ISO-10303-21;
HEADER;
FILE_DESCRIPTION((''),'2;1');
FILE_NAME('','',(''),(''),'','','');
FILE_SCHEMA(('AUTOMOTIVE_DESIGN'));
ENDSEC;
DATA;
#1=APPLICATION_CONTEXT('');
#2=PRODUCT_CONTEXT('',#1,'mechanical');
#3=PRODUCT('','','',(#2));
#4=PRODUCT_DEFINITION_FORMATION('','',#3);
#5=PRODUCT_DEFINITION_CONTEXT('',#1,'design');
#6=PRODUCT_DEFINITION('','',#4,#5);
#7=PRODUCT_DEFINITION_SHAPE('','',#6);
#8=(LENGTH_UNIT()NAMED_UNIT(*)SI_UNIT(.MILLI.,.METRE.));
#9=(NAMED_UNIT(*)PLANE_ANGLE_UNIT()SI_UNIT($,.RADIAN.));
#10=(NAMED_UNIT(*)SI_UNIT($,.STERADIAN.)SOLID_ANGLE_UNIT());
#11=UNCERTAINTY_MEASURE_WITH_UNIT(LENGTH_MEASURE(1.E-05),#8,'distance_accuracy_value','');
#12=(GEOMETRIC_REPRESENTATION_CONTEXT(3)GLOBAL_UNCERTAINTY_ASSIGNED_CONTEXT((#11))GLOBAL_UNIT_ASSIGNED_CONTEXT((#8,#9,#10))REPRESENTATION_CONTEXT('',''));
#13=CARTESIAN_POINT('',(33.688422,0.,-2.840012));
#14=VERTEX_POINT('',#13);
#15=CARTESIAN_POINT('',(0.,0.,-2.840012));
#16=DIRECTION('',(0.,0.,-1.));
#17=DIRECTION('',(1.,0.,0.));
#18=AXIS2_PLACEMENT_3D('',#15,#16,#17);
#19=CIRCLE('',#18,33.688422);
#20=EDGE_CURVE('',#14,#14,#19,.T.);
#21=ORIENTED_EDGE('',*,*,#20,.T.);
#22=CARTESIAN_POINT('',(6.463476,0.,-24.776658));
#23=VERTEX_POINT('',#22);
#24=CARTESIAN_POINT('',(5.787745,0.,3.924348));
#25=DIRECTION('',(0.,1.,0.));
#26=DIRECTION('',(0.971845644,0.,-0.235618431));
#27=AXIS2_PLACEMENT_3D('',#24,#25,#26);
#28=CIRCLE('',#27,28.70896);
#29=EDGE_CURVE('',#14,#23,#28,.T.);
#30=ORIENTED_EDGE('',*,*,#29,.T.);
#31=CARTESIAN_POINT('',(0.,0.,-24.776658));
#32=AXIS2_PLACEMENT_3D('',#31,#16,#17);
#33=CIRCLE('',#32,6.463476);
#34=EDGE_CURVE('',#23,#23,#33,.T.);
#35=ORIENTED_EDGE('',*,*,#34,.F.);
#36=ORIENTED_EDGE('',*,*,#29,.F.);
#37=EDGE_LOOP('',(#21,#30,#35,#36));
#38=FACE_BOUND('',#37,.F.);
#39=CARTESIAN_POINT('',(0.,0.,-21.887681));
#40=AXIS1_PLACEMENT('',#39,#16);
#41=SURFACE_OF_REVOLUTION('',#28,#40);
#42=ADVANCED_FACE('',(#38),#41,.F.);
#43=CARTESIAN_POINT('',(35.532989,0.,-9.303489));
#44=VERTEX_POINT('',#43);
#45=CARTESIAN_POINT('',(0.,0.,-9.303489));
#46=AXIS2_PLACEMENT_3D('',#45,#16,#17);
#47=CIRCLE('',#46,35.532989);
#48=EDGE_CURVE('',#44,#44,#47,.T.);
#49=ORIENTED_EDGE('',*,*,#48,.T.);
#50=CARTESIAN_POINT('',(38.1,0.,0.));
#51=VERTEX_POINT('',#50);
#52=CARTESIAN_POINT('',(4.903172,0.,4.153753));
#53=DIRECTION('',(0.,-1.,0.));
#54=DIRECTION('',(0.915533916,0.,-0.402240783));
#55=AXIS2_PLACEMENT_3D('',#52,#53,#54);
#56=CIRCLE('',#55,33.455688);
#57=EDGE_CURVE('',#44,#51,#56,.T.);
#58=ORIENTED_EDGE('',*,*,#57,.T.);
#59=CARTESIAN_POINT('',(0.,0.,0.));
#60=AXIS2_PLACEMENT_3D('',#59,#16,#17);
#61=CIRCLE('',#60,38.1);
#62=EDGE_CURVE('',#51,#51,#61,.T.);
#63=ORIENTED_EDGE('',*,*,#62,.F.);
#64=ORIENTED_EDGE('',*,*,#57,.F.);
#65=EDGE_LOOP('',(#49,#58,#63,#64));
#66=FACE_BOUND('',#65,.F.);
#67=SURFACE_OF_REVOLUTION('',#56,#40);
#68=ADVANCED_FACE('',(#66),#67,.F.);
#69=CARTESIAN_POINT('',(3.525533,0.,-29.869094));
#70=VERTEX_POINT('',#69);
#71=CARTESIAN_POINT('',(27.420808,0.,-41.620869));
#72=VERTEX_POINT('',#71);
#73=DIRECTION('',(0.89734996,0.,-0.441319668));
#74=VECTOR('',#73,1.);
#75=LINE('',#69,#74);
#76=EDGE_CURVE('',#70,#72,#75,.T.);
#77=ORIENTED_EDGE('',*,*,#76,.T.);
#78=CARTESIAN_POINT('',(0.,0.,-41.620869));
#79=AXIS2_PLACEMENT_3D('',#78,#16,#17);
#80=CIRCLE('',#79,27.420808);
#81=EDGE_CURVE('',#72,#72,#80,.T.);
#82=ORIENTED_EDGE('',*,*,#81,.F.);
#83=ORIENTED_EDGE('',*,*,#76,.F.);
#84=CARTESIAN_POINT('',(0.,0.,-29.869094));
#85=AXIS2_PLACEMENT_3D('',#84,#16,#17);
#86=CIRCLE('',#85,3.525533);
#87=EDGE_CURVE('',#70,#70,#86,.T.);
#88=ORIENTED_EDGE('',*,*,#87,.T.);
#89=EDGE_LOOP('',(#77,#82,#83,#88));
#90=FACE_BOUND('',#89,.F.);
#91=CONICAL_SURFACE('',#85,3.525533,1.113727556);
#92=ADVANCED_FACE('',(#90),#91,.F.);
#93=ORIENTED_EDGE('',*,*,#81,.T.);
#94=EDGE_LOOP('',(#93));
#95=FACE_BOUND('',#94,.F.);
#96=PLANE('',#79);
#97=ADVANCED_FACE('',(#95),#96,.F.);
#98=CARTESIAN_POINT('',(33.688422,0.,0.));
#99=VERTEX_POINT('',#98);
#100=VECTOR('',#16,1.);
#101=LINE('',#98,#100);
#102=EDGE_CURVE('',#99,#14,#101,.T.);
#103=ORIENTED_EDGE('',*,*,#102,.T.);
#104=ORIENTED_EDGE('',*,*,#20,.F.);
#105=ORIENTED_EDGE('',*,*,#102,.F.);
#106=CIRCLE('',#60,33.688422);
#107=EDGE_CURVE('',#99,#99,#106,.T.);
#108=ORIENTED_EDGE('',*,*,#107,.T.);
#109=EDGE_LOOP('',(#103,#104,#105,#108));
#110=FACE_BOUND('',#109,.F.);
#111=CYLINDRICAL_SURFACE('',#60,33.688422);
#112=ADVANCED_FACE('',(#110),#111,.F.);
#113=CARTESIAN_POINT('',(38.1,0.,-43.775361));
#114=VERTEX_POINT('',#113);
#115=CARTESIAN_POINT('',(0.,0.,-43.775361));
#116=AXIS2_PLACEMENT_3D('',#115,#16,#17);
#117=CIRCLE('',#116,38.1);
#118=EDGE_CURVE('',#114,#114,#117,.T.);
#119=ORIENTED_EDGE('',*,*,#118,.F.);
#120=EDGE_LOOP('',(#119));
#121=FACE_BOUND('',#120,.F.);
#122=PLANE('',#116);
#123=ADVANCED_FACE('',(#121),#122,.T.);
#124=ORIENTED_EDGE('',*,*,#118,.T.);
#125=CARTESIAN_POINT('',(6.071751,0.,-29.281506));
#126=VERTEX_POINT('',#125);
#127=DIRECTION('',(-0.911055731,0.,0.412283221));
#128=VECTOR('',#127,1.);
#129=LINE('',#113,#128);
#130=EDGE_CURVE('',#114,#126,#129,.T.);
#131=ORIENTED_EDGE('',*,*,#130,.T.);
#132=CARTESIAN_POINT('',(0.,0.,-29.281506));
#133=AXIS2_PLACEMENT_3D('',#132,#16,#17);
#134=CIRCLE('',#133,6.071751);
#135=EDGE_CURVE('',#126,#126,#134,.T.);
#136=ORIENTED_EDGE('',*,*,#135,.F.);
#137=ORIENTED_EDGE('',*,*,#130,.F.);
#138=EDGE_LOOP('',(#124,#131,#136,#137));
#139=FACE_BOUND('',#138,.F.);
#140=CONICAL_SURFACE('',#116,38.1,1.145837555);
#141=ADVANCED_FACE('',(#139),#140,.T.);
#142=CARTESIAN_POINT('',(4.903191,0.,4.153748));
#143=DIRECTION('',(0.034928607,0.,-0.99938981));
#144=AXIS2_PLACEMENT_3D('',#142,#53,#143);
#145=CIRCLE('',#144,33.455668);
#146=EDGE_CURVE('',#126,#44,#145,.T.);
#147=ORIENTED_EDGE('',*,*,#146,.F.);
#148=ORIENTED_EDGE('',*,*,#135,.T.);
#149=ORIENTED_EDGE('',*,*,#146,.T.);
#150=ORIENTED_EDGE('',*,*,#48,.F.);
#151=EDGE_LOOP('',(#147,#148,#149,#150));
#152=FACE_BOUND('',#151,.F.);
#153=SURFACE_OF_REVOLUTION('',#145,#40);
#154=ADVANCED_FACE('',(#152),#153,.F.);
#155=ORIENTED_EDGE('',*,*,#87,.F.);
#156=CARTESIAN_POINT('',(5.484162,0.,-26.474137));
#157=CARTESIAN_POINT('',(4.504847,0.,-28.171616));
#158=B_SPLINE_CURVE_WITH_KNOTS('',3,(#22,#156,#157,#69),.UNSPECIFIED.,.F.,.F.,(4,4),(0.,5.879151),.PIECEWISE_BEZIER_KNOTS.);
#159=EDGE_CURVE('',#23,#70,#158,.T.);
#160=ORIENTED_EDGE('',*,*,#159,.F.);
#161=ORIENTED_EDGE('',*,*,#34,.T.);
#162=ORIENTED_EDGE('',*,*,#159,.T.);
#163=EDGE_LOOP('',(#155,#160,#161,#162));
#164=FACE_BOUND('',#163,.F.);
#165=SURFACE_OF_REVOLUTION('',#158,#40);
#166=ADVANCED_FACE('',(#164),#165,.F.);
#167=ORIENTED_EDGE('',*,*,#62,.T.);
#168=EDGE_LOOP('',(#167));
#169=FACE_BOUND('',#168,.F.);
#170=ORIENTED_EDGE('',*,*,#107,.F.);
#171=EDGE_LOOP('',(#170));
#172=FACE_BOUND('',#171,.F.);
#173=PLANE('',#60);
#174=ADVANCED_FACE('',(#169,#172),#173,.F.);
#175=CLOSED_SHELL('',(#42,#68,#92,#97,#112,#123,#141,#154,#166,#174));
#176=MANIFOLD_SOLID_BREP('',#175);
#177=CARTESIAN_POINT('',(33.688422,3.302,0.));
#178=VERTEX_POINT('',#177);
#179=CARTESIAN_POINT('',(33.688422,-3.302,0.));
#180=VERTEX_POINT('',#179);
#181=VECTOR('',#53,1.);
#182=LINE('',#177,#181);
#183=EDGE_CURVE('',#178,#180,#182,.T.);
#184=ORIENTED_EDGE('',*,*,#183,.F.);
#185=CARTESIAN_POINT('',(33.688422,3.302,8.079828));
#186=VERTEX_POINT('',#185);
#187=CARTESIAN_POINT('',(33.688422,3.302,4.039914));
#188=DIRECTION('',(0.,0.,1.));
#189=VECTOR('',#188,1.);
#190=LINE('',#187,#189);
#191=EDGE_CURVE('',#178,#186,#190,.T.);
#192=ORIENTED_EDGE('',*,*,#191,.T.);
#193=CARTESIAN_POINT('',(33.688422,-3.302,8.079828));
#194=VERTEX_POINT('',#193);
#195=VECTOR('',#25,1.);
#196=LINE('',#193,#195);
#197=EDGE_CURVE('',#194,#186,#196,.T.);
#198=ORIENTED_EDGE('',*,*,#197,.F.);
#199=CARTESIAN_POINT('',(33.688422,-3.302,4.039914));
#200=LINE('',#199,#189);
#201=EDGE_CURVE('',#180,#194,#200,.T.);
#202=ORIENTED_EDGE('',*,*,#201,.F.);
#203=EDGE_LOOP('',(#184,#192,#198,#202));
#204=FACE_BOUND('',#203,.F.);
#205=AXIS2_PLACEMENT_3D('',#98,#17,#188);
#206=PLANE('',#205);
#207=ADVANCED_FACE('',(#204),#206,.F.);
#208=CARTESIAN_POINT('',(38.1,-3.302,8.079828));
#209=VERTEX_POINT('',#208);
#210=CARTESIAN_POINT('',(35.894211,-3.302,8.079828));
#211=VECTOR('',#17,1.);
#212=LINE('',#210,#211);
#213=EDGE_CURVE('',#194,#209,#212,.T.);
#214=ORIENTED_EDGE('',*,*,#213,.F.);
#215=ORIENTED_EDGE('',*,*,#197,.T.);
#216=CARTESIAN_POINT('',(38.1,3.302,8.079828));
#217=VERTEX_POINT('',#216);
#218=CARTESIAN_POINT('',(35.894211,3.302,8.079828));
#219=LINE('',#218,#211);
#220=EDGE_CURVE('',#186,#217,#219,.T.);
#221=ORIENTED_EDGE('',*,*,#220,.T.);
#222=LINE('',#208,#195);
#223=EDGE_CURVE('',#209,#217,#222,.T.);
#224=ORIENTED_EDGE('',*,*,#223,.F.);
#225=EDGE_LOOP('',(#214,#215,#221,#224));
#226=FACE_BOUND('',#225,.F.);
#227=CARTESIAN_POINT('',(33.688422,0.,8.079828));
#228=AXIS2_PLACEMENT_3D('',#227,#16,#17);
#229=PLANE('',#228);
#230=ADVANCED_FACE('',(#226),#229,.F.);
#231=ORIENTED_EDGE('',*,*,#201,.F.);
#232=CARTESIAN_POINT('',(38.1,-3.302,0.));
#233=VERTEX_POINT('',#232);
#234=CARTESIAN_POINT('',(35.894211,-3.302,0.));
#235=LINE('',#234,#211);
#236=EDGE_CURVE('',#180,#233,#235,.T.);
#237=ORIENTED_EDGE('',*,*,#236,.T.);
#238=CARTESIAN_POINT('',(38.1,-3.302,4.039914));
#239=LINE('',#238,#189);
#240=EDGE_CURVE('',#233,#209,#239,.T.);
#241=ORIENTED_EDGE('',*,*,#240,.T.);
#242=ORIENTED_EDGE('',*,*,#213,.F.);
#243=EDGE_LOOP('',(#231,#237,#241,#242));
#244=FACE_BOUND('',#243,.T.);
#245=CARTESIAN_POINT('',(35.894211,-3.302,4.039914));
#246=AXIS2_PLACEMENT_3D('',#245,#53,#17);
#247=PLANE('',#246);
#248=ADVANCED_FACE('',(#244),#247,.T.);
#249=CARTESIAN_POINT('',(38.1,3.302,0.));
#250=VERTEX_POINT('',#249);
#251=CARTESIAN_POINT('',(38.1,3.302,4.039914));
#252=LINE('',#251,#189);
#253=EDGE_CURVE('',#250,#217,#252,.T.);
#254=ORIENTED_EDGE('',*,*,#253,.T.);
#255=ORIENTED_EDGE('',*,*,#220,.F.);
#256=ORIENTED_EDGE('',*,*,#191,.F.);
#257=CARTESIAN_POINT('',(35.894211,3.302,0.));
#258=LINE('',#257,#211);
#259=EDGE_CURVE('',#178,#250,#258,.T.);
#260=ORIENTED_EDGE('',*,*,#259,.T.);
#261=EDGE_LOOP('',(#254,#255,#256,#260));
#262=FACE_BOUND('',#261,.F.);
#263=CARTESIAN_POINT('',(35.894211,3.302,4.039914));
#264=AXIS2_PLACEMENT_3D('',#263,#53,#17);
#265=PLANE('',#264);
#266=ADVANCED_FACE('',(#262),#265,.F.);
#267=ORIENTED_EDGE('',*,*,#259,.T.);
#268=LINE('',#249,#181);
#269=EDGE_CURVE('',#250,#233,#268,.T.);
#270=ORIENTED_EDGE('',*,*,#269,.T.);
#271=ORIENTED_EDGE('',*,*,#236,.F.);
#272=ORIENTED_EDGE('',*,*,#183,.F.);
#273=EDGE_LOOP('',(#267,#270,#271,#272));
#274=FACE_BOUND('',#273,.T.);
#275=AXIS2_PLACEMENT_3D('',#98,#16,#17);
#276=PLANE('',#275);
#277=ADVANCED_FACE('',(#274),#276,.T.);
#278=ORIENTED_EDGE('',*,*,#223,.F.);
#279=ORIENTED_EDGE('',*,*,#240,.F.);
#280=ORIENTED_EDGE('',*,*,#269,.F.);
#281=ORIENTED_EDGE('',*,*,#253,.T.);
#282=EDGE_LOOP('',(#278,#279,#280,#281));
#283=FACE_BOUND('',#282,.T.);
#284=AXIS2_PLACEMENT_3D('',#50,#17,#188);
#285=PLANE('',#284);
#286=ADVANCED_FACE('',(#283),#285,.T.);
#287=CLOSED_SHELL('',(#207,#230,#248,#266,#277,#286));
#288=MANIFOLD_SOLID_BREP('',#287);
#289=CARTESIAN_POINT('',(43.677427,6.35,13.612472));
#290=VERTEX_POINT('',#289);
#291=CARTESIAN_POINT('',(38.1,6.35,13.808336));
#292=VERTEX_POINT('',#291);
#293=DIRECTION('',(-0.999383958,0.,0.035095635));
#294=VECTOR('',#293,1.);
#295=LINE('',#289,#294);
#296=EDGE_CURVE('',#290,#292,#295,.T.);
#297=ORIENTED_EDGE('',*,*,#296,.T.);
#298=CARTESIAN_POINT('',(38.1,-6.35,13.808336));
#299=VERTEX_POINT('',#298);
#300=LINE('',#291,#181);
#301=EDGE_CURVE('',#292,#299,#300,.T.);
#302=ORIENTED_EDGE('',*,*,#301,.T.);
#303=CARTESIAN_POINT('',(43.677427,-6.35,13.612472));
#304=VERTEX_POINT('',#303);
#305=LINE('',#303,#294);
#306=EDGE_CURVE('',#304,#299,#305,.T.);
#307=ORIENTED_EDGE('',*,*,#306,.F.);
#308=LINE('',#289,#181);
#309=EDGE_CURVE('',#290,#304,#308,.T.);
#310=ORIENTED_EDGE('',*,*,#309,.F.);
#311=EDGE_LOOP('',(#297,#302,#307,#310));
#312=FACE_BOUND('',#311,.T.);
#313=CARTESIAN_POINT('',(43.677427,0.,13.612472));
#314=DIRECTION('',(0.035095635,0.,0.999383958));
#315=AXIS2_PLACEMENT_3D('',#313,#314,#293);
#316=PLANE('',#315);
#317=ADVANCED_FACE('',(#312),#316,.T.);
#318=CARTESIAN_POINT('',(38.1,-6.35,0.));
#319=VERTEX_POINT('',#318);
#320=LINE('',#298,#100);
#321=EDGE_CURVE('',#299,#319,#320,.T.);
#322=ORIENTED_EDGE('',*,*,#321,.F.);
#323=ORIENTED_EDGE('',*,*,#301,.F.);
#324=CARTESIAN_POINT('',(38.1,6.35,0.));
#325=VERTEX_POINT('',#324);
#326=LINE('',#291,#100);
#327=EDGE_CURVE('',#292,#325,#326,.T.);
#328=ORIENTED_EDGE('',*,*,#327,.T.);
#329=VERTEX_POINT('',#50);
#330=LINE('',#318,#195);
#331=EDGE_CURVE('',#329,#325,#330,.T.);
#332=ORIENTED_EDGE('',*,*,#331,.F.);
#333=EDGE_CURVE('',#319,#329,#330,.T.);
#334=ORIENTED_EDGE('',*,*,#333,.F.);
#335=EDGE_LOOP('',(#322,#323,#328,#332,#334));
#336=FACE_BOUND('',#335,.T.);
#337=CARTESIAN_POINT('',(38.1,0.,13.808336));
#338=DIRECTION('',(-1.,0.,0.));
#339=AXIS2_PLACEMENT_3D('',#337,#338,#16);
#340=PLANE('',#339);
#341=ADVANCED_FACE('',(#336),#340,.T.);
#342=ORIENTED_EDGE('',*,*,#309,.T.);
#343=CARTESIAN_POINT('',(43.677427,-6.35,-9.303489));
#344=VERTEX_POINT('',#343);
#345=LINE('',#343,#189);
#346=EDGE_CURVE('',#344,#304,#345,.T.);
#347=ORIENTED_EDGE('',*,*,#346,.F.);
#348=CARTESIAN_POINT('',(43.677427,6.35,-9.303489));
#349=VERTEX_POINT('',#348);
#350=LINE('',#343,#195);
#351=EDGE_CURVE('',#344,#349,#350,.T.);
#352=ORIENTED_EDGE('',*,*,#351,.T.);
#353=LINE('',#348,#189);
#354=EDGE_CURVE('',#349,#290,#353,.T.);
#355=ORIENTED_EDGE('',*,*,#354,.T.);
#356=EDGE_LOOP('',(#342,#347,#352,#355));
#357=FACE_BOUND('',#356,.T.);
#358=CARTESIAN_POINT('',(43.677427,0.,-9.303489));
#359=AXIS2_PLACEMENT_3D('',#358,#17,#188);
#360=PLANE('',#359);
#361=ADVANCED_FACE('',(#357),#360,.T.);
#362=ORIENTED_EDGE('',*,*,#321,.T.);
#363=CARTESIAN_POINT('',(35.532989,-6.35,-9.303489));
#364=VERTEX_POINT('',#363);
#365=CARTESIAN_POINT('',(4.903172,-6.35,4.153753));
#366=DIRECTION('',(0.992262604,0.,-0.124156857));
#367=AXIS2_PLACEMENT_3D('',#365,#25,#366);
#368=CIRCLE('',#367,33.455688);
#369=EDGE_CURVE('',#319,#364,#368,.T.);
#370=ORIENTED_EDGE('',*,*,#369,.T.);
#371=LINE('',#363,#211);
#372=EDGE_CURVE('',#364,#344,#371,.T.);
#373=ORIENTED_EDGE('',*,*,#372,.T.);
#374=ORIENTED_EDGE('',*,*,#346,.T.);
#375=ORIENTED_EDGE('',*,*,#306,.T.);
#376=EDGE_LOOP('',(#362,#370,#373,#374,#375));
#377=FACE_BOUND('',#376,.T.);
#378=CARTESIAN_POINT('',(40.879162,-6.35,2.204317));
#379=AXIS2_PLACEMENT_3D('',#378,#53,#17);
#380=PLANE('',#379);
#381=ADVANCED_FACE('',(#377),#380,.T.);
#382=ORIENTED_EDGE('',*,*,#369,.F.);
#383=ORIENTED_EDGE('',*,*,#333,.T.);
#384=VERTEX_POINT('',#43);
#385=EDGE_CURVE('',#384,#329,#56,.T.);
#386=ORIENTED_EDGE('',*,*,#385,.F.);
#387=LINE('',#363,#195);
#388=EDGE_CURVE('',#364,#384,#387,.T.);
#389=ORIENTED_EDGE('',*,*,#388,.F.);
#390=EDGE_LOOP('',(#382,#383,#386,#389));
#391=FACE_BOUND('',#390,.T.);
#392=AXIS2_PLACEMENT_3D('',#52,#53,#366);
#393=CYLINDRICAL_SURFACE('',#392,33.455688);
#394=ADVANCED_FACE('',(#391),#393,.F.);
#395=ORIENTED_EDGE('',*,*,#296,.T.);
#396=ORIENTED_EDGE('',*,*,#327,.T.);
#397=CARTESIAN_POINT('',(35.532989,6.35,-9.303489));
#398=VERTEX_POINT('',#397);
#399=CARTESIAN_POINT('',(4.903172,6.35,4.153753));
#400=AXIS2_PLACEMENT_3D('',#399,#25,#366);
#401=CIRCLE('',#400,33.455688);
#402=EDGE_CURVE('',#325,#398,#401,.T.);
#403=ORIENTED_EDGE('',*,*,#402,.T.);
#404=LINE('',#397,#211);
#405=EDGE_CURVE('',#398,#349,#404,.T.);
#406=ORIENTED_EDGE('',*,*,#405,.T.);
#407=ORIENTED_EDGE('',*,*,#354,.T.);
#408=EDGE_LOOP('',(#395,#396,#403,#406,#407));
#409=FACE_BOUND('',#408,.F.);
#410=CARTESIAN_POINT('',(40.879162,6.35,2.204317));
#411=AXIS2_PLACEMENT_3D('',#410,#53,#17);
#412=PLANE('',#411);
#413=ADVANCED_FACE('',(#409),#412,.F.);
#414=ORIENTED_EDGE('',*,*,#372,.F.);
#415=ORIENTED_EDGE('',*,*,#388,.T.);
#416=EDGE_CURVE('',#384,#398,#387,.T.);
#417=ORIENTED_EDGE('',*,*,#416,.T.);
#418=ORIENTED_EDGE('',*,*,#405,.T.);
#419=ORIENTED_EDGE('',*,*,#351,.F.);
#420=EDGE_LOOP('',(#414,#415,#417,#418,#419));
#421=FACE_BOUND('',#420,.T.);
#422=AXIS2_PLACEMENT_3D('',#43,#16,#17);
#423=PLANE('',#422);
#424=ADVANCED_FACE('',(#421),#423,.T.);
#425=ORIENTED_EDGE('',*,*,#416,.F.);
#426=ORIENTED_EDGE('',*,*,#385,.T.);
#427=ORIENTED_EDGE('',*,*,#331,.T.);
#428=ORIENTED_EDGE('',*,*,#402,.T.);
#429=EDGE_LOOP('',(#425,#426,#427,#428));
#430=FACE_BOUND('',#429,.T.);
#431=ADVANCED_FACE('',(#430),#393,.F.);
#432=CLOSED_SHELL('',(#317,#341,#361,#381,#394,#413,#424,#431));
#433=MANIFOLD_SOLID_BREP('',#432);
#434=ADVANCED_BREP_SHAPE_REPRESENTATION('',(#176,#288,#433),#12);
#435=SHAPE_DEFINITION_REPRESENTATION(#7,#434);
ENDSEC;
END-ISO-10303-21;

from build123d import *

# Parameters (mm, degrees)
F2_DEPTH = 6.35
F0_W     = 4.411578
F0_H     = 8.079828
F3_DEPTH = 3.302


with BuildPart() as f1:
    # F0 (on Front) → F1 (revolve)
    with BuildSketch(Plane.XZ):
        with BuildLine():
            Line((38.1, 0), (33.688422, 0))
            Line((33.688422, 0), (33.688422, -2.840012))
            ThreePointArc((33.688422, -2.840012), (23.800432, -18.430684), (6.463476, -24.776658))
            add(Edge.make_bspline(
                [(6.463476, -24.776658), (5.484162, -26.474137), (4.504847, -28.171616), (3.525533, -29.869094)],
                knots=[0, 0, 0, 0, 5.879151, 5.879151, 5.879151, 5.879151], degree=3))
            Line((3.525533, -29.869094), (27.420808, -41.620869))
            Line((27.420808, -41.620869), (0, -41.620869))
            Line((0, -41.620869), (0, -43.775361))
            Line((0, -43.775361), (38.1, -43.775361))
            Line((38.1, -43.775361), (6.071751, -29.281506))
            ThreePointArc((6.071751, -29.281506), (23.679884, -23.535917), (35.532989, -9.303489))
            ThreePointArc((35.532989, -9.303489), (37.153736, -4.744796), (38.1, 0))
        make_face()
    revolve(axis=Axis((0, 0, -21.887681), (0, 0, -1)))

    # F0 (on Front) → F2 (join, symmetric)
    with BuildSketch(Plane.XZ):
        Polygon((38.1, 8.079828), (38.1, 0), (38.1, -9.303489), (43.677427, -9.303489), (43.677427, 13.612472), (38.1, 13.808336), align=None)
        with BuildLine():
            Line((38.1, -9.303489), (38.1, 0))
            ThreePointArc((38.1, 0), (37.153736, -4.744796), (35.532989, -9.303489))
            Line((35.532989, -9.303489), (38.1, -9.303489))
        make_face()
    extrude(amount=F2_DEPTH, both=True)


with BuildPart() as f3:
    # F0 (on Front) → F3 (new body, symmetric)
    with BuildSketch(Plane.XZ):
        with Locations((35.894211, 4.039914)):
            Rectangle(F0_W, F0_H)
    extrude(amount=F3_DEPTH, both=True)


solid = Compound([f1.part, f3.part])
